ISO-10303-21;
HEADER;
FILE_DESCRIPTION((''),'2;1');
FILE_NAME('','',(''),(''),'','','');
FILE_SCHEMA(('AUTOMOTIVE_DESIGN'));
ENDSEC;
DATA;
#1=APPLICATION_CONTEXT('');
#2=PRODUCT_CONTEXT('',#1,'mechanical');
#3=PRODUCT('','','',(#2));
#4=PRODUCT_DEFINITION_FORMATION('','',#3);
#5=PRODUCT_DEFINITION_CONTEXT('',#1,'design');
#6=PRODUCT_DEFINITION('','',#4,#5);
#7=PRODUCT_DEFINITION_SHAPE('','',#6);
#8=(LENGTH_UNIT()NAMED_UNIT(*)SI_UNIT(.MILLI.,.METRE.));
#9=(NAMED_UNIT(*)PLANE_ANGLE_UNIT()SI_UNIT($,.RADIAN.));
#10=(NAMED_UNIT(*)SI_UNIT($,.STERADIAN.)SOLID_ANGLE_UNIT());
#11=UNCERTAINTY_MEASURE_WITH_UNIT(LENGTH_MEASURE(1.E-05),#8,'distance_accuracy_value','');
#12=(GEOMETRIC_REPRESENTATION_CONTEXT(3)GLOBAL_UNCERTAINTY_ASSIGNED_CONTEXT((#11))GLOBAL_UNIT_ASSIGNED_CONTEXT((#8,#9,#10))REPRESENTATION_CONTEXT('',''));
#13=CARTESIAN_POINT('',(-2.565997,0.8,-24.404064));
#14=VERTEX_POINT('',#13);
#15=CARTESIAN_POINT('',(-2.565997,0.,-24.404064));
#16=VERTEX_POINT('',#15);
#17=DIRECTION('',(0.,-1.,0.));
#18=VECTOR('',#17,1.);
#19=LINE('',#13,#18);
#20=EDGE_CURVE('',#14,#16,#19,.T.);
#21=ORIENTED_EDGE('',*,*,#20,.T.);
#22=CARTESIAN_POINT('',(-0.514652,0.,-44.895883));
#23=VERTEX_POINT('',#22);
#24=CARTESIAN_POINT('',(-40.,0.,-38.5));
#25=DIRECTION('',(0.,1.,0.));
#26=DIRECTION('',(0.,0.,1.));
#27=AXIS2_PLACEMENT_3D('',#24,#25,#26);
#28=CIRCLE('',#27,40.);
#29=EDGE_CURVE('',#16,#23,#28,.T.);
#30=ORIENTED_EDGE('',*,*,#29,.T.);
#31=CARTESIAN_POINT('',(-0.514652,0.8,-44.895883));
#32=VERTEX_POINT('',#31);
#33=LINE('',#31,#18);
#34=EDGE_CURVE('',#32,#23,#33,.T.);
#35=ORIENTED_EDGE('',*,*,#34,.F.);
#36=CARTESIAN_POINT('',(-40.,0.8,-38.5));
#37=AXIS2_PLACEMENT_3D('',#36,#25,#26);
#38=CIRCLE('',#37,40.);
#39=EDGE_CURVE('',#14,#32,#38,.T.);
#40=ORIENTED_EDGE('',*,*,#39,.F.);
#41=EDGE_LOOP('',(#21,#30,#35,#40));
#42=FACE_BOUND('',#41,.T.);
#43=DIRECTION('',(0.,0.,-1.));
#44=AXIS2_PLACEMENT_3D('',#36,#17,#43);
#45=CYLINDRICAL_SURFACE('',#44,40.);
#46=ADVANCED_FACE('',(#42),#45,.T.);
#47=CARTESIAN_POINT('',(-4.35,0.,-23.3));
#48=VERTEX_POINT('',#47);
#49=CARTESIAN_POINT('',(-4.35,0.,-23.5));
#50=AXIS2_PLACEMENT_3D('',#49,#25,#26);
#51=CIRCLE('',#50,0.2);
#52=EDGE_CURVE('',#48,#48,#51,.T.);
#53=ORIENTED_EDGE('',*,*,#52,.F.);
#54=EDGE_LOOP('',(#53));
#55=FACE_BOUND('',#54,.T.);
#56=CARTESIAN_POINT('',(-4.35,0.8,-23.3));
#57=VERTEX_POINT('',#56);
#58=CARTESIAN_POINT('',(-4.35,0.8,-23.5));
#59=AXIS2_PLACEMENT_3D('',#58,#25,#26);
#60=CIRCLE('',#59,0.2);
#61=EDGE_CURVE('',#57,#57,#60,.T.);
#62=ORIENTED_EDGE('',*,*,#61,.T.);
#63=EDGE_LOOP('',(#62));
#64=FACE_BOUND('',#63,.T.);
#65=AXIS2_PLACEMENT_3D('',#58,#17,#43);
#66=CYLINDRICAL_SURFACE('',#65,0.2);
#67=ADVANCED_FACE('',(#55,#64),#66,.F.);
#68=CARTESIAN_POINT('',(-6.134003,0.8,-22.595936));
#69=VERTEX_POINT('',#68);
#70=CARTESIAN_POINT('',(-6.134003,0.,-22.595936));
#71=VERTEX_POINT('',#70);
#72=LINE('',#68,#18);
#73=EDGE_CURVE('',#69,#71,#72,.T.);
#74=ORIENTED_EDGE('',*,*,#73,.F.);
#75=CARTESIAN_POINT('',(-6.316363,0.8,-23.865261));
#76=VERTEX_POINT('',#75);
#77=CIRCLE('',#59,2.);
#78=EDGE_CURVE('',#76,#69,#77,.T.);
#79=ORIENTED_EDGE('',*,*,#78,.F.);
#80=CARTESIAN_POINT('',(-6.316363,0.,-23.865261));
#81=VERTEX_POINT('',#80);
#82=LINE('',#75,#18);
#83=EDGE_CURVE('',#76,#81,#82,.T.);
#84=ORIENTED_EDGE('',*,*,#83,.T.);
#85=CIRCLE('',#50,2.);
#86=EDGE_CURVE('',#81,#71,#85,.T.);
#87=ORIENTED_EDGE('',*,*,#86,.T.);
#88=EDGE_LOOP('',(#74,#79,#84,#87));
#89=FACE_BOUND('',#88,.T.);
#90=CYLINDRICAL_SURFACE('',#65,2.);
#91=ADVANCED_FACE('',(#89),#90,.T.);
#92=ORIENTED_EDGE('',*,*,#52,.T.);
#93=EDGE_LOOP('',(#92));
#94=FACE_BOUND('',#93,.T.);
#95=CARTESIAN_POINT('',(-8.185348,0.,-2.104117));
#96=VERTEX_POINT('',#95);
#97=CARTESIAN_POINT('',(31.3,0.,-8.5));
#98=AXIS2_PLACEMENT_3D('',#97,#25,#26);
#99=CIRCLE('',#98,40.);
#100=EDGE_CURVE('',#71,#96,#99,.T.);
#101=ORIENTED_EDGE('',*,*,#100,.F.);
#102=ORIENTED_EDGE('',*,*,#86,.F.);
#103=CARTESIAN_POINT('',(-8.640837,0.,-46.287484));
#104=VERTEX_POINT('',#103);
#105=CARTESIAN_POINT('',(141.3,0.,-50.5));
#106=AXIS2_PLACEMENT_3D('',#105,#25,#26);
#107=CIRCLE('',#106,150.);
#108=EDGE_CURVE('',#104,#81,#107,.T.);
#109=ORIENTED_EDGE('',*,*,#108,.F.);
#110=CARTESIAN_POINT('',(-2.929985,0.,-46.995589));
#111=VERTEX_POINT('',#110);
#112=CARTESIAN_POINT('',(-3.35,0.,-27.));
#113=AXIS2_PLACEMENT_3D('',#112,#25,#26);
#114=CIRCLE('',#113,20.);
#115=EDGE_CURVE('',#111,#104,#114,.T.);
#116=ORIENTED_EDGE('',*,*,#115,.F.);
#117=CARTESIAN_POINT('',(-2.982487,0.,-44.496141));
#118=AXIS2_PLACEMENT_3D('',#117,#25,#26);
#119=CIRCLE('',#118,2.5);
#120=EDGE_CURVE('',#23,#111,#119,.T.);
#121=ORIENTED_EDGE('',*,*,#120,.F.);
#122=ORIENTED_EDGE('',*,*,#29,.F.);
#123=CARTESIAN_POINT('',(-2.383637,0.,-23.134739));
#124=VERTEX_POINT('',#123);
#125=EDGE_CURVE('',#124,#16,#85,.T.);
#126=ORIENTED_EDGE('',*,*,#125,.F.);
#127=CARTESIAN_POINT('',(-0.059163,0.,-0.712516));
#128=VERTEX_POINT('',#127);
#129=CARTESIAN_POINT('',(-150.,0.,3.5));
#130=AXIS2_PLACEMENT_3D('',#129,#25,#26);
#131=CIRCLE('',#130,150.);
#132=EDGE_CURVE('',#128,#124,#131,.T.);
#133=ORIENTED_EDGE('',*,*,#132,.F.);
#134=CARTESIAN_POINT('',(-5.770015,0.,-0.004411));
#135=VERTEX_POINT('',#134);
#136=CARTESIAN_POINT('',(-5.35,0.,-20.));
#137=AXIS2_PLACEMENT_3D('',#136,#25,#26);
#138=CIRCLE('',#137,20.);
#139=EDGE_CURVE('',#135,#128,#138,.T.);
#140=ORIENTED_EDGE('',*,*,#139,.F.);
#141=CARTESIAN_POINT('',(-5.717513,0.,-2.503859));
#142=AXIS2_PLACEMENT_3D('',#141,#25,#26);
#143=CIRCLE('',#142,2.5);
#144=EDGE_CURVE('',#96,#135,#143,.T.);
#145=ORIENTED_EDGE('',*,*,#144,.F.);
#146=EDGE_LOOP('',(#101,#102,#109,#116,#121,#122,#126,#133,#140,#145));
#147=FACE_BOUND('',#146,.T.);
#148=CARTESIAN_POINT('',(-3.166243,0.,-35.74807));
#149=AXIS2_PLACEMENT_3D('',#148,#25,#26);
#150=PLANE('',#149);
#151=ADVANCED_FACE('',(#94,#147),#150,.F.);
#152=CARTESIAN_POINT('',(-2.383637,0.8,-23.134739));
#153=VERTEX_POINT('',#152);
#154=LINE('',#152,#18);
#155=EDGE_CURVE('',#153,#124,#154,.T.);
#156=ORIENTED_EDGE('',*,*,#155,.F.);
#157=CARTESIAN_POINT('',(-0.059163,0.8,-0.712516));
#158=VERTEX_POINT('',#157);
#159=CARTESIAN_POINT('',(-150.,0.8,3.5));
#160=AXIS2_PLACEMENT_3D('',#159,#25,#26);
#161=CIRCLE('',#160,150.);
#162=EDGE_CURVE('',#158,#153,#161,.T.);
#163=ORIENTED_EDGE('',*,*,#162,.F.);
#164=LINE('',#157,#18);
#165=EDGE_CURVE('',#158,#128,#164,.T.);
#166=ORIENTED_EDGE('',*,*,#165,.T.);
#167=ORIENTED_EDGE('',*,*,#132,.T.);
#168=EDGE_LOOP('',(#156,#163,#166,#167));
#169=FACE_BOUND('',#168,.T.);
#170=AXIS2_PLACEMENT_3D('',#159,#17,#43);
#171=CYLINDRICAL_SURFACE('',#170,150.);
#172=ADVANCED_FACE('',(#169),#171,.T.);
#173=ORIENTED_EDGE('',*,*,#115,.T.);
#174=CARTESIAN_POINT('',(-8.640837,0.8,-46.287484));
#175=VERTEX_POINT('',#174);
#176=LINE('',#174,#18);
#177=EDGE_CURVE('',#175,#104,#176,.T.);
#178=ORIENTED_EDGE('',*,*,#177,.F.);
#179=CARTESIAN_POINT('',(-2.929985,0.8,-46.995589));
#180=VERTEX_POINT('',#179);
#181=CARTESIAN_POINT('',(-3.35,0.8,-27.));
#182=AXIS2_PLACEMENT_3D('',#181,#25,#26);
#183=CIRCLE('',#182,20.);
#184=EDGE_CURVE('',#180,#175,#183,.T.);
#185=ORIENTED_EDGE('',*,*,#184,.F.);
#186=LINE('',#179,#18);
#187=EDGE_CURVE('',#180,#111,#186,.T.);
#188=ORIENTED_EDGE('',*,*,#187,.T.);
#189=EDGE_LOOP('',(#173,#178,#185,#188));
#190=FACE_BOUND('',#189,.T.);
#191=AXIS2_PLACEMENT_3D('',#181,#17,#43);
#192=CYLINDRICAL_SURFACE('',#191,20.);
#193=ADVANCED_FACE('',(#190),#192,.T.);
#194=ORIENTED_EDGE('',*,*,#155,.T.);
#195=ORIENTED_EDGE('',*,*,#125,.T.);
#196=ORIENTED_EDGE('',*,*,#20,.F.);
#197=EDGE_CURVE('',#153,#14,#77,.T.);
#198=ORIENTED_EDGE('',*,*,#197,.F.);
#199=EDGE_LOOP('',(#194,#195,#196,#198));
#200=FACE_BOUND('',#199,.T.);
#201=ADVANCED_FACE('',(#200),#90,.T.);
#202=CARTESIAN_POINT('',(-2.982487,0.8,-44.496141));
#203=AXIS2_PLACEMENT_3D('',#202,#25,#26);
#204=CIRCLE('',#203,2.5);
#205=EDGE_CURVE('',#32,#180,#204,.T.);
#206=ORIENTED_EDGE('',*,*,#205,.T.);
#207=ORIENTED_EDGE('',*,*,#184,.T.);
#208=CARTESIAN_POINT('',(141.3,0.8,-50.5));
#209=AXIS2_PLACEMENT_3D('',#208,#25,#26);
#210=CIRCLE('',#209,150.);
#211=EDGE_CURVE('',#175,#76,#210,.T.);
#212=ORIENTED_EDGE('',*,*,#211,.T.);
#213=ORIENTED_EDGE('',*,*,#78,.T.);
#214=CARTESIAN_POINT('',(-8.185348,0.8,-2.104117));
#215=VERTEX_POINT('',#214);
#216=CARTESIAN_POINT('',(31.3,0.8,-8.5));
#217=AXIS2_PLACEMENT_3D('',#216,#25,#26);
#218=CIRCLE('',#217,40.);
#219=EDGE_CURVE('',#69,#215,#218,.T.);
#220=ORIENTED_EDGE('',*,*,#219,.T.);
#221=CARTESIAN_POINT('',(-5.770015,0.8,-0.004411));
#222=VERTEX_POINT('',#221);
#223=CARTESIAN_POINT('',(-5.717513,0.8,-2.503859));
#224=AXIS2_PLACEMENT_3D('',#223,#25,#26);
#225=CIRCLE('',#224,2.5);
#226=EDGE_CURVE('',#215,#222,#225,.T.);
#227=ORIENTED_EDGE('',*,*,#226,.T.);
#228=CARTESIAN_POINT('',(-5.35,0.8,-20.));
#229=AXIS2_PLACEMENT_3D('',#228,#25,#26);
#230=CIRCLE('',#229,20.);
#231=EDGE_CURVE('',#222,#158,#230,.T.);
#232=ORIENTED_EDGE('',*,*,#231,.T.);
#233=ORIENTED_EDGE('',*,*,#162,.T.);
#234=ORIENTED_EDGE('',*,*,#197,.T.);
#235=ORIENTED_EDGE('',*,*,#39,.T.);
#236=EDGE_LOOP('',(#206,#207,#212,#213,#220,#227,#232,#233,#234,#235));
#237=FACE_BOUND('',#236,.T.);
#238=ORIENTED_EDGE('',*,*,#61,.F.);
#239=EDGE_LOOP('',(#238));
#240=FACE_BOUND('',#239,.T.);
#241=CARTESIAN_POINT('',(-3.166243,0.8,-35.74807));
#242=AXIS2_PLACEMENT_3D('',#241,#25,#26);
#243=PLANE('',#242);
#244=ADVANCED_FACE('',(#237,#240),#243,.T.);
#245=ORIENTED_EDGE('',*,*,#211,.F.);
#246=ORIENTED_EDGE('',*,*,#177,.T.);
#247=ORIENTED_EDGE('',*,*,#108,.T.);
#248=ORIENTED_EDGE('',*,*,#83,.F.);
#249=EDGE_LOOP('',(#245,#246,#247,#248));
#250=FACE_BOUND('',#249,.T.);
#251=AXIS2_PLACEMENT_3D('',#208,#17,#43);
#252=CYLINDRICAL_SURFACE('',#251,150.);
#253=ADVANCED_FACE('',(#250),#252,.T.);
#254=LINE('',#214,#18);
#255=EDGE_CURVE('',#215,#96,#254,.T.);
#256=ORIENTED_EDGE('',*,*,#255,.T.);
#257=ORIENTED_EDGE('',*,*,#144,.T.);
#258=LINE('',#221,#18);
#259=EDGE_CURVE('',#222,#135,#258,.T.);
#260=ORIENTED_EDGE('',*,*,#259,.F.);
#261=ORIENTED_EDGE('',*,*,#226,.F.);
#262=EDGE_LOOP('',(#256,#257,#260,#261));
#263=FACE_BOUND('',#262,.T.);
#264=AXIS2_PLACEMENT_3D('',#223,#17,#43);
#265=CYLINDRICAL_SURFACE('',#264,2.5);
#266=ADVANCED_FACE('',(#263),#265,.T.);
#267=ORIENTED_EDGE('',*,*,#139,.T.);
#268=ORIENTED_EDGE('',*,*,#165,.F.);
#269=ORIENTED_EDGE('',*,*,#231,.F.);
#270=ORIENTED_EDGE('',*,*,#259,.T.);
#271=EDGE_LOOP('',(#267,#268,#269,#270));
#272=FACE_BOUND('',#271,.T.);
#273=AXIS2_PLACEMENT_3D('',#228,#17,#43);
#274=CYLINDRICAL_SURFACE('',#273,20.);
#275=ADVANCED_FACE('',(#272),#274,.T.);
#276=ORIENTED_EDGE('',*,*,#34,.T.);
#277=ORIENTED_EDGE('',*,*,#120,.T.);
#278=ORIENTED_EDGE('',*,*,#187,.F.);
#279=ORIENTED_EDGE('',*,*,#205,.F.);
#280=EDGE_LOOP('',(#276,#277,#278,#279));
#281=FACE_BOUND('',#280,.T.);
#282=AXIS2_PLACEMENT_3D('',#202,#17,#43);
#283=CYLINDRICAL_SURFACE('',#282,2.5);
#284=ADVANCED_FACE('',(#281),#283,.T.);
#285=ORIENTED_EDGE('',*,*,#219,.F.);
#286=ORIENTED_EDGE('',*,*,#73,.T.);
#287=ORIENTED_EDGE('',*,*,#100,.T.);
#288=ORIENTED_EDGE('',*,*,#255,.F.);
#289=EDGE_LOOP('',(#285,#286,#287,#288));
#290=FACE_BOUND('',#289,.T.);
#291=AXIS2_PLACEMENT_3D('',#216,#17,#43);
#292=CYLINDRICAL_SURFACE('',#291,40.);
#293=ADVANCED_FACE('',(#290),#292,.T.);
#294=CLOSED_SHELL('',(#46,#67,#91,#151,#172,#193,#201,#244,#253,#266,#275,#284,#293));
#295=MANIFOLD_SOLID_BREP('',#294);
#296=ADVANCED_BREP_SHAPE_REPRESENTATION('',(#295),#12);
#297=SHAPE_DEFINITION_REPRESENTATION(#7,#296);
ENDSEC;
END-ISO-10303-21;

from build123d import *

# Parameters (mm, degrees)
SKETCH1_R           = 0.2
BOSS_EXTRUDE1_DEPTH = 0.8


with BuildPart() as part:
    # Sketch1 → Boss-Extrude1 (new body)
    with BuildSketch(Plane(origin=(0, 0, 0), x_dir=(1, 0, 0), z_dir=(0, 1, 0))):
        with BuildLine():
            ThreePointArc((-2.383636789, 23.134738828), (-2.370326041, 23.784413457), (-2.565996752, 24.404064385))
            ThreePointArc((-2.565996752, 24.404064385), (-0.19892847, 34.515692649), (-0.514652369, 44.895883246))
            ThreePointArc((-0.514652369, 44.895883246), (-1.342299158, 46.382879838), (-2.929984682, 46.995589192))
            ThreePointArc((-2.929984682, 46.995589192), (-5.811012003, 46.848007958), (-8.640837363, 46.287484025))
            ThreePointArc((-8.640837363, 46.287484025), (-7.900405237, 35.032644788), (-6.316363211, 23.865261172))
            ThreePointArc((-6.316363211, 23.865261172), (-6.329673959, 23.215586543), (-6.134003248, 22.595935615))
            ThreePointArc((-6.134003248, 22.595935615), (-8.50107153, 12.484307351), (-8.185347631, 2.104116754))
            ThreePointArc((-8.185347631, 2.104116754), (-7.357700842, 0.617120162), (-5.770015318, 0.004410808))
            ThreePointArc((-5.770015318, 0.004410808), (-2.888987997, 0.151992042), (-0.059162637, 0.712515975))
            ThreePointArc((-0.059162637, 0.712515975), (-0.799594763, 11.967355212), (-2.383636789, 23.134738828))
        make_face()
        with Locations((-4.35, 23.5)):
            Circle(SKETCH1_R, mode=Mode.SUBTRACT)
    extrude(amount=BOSS_EXTRUDE1_DEPTH)


solid = part.part
